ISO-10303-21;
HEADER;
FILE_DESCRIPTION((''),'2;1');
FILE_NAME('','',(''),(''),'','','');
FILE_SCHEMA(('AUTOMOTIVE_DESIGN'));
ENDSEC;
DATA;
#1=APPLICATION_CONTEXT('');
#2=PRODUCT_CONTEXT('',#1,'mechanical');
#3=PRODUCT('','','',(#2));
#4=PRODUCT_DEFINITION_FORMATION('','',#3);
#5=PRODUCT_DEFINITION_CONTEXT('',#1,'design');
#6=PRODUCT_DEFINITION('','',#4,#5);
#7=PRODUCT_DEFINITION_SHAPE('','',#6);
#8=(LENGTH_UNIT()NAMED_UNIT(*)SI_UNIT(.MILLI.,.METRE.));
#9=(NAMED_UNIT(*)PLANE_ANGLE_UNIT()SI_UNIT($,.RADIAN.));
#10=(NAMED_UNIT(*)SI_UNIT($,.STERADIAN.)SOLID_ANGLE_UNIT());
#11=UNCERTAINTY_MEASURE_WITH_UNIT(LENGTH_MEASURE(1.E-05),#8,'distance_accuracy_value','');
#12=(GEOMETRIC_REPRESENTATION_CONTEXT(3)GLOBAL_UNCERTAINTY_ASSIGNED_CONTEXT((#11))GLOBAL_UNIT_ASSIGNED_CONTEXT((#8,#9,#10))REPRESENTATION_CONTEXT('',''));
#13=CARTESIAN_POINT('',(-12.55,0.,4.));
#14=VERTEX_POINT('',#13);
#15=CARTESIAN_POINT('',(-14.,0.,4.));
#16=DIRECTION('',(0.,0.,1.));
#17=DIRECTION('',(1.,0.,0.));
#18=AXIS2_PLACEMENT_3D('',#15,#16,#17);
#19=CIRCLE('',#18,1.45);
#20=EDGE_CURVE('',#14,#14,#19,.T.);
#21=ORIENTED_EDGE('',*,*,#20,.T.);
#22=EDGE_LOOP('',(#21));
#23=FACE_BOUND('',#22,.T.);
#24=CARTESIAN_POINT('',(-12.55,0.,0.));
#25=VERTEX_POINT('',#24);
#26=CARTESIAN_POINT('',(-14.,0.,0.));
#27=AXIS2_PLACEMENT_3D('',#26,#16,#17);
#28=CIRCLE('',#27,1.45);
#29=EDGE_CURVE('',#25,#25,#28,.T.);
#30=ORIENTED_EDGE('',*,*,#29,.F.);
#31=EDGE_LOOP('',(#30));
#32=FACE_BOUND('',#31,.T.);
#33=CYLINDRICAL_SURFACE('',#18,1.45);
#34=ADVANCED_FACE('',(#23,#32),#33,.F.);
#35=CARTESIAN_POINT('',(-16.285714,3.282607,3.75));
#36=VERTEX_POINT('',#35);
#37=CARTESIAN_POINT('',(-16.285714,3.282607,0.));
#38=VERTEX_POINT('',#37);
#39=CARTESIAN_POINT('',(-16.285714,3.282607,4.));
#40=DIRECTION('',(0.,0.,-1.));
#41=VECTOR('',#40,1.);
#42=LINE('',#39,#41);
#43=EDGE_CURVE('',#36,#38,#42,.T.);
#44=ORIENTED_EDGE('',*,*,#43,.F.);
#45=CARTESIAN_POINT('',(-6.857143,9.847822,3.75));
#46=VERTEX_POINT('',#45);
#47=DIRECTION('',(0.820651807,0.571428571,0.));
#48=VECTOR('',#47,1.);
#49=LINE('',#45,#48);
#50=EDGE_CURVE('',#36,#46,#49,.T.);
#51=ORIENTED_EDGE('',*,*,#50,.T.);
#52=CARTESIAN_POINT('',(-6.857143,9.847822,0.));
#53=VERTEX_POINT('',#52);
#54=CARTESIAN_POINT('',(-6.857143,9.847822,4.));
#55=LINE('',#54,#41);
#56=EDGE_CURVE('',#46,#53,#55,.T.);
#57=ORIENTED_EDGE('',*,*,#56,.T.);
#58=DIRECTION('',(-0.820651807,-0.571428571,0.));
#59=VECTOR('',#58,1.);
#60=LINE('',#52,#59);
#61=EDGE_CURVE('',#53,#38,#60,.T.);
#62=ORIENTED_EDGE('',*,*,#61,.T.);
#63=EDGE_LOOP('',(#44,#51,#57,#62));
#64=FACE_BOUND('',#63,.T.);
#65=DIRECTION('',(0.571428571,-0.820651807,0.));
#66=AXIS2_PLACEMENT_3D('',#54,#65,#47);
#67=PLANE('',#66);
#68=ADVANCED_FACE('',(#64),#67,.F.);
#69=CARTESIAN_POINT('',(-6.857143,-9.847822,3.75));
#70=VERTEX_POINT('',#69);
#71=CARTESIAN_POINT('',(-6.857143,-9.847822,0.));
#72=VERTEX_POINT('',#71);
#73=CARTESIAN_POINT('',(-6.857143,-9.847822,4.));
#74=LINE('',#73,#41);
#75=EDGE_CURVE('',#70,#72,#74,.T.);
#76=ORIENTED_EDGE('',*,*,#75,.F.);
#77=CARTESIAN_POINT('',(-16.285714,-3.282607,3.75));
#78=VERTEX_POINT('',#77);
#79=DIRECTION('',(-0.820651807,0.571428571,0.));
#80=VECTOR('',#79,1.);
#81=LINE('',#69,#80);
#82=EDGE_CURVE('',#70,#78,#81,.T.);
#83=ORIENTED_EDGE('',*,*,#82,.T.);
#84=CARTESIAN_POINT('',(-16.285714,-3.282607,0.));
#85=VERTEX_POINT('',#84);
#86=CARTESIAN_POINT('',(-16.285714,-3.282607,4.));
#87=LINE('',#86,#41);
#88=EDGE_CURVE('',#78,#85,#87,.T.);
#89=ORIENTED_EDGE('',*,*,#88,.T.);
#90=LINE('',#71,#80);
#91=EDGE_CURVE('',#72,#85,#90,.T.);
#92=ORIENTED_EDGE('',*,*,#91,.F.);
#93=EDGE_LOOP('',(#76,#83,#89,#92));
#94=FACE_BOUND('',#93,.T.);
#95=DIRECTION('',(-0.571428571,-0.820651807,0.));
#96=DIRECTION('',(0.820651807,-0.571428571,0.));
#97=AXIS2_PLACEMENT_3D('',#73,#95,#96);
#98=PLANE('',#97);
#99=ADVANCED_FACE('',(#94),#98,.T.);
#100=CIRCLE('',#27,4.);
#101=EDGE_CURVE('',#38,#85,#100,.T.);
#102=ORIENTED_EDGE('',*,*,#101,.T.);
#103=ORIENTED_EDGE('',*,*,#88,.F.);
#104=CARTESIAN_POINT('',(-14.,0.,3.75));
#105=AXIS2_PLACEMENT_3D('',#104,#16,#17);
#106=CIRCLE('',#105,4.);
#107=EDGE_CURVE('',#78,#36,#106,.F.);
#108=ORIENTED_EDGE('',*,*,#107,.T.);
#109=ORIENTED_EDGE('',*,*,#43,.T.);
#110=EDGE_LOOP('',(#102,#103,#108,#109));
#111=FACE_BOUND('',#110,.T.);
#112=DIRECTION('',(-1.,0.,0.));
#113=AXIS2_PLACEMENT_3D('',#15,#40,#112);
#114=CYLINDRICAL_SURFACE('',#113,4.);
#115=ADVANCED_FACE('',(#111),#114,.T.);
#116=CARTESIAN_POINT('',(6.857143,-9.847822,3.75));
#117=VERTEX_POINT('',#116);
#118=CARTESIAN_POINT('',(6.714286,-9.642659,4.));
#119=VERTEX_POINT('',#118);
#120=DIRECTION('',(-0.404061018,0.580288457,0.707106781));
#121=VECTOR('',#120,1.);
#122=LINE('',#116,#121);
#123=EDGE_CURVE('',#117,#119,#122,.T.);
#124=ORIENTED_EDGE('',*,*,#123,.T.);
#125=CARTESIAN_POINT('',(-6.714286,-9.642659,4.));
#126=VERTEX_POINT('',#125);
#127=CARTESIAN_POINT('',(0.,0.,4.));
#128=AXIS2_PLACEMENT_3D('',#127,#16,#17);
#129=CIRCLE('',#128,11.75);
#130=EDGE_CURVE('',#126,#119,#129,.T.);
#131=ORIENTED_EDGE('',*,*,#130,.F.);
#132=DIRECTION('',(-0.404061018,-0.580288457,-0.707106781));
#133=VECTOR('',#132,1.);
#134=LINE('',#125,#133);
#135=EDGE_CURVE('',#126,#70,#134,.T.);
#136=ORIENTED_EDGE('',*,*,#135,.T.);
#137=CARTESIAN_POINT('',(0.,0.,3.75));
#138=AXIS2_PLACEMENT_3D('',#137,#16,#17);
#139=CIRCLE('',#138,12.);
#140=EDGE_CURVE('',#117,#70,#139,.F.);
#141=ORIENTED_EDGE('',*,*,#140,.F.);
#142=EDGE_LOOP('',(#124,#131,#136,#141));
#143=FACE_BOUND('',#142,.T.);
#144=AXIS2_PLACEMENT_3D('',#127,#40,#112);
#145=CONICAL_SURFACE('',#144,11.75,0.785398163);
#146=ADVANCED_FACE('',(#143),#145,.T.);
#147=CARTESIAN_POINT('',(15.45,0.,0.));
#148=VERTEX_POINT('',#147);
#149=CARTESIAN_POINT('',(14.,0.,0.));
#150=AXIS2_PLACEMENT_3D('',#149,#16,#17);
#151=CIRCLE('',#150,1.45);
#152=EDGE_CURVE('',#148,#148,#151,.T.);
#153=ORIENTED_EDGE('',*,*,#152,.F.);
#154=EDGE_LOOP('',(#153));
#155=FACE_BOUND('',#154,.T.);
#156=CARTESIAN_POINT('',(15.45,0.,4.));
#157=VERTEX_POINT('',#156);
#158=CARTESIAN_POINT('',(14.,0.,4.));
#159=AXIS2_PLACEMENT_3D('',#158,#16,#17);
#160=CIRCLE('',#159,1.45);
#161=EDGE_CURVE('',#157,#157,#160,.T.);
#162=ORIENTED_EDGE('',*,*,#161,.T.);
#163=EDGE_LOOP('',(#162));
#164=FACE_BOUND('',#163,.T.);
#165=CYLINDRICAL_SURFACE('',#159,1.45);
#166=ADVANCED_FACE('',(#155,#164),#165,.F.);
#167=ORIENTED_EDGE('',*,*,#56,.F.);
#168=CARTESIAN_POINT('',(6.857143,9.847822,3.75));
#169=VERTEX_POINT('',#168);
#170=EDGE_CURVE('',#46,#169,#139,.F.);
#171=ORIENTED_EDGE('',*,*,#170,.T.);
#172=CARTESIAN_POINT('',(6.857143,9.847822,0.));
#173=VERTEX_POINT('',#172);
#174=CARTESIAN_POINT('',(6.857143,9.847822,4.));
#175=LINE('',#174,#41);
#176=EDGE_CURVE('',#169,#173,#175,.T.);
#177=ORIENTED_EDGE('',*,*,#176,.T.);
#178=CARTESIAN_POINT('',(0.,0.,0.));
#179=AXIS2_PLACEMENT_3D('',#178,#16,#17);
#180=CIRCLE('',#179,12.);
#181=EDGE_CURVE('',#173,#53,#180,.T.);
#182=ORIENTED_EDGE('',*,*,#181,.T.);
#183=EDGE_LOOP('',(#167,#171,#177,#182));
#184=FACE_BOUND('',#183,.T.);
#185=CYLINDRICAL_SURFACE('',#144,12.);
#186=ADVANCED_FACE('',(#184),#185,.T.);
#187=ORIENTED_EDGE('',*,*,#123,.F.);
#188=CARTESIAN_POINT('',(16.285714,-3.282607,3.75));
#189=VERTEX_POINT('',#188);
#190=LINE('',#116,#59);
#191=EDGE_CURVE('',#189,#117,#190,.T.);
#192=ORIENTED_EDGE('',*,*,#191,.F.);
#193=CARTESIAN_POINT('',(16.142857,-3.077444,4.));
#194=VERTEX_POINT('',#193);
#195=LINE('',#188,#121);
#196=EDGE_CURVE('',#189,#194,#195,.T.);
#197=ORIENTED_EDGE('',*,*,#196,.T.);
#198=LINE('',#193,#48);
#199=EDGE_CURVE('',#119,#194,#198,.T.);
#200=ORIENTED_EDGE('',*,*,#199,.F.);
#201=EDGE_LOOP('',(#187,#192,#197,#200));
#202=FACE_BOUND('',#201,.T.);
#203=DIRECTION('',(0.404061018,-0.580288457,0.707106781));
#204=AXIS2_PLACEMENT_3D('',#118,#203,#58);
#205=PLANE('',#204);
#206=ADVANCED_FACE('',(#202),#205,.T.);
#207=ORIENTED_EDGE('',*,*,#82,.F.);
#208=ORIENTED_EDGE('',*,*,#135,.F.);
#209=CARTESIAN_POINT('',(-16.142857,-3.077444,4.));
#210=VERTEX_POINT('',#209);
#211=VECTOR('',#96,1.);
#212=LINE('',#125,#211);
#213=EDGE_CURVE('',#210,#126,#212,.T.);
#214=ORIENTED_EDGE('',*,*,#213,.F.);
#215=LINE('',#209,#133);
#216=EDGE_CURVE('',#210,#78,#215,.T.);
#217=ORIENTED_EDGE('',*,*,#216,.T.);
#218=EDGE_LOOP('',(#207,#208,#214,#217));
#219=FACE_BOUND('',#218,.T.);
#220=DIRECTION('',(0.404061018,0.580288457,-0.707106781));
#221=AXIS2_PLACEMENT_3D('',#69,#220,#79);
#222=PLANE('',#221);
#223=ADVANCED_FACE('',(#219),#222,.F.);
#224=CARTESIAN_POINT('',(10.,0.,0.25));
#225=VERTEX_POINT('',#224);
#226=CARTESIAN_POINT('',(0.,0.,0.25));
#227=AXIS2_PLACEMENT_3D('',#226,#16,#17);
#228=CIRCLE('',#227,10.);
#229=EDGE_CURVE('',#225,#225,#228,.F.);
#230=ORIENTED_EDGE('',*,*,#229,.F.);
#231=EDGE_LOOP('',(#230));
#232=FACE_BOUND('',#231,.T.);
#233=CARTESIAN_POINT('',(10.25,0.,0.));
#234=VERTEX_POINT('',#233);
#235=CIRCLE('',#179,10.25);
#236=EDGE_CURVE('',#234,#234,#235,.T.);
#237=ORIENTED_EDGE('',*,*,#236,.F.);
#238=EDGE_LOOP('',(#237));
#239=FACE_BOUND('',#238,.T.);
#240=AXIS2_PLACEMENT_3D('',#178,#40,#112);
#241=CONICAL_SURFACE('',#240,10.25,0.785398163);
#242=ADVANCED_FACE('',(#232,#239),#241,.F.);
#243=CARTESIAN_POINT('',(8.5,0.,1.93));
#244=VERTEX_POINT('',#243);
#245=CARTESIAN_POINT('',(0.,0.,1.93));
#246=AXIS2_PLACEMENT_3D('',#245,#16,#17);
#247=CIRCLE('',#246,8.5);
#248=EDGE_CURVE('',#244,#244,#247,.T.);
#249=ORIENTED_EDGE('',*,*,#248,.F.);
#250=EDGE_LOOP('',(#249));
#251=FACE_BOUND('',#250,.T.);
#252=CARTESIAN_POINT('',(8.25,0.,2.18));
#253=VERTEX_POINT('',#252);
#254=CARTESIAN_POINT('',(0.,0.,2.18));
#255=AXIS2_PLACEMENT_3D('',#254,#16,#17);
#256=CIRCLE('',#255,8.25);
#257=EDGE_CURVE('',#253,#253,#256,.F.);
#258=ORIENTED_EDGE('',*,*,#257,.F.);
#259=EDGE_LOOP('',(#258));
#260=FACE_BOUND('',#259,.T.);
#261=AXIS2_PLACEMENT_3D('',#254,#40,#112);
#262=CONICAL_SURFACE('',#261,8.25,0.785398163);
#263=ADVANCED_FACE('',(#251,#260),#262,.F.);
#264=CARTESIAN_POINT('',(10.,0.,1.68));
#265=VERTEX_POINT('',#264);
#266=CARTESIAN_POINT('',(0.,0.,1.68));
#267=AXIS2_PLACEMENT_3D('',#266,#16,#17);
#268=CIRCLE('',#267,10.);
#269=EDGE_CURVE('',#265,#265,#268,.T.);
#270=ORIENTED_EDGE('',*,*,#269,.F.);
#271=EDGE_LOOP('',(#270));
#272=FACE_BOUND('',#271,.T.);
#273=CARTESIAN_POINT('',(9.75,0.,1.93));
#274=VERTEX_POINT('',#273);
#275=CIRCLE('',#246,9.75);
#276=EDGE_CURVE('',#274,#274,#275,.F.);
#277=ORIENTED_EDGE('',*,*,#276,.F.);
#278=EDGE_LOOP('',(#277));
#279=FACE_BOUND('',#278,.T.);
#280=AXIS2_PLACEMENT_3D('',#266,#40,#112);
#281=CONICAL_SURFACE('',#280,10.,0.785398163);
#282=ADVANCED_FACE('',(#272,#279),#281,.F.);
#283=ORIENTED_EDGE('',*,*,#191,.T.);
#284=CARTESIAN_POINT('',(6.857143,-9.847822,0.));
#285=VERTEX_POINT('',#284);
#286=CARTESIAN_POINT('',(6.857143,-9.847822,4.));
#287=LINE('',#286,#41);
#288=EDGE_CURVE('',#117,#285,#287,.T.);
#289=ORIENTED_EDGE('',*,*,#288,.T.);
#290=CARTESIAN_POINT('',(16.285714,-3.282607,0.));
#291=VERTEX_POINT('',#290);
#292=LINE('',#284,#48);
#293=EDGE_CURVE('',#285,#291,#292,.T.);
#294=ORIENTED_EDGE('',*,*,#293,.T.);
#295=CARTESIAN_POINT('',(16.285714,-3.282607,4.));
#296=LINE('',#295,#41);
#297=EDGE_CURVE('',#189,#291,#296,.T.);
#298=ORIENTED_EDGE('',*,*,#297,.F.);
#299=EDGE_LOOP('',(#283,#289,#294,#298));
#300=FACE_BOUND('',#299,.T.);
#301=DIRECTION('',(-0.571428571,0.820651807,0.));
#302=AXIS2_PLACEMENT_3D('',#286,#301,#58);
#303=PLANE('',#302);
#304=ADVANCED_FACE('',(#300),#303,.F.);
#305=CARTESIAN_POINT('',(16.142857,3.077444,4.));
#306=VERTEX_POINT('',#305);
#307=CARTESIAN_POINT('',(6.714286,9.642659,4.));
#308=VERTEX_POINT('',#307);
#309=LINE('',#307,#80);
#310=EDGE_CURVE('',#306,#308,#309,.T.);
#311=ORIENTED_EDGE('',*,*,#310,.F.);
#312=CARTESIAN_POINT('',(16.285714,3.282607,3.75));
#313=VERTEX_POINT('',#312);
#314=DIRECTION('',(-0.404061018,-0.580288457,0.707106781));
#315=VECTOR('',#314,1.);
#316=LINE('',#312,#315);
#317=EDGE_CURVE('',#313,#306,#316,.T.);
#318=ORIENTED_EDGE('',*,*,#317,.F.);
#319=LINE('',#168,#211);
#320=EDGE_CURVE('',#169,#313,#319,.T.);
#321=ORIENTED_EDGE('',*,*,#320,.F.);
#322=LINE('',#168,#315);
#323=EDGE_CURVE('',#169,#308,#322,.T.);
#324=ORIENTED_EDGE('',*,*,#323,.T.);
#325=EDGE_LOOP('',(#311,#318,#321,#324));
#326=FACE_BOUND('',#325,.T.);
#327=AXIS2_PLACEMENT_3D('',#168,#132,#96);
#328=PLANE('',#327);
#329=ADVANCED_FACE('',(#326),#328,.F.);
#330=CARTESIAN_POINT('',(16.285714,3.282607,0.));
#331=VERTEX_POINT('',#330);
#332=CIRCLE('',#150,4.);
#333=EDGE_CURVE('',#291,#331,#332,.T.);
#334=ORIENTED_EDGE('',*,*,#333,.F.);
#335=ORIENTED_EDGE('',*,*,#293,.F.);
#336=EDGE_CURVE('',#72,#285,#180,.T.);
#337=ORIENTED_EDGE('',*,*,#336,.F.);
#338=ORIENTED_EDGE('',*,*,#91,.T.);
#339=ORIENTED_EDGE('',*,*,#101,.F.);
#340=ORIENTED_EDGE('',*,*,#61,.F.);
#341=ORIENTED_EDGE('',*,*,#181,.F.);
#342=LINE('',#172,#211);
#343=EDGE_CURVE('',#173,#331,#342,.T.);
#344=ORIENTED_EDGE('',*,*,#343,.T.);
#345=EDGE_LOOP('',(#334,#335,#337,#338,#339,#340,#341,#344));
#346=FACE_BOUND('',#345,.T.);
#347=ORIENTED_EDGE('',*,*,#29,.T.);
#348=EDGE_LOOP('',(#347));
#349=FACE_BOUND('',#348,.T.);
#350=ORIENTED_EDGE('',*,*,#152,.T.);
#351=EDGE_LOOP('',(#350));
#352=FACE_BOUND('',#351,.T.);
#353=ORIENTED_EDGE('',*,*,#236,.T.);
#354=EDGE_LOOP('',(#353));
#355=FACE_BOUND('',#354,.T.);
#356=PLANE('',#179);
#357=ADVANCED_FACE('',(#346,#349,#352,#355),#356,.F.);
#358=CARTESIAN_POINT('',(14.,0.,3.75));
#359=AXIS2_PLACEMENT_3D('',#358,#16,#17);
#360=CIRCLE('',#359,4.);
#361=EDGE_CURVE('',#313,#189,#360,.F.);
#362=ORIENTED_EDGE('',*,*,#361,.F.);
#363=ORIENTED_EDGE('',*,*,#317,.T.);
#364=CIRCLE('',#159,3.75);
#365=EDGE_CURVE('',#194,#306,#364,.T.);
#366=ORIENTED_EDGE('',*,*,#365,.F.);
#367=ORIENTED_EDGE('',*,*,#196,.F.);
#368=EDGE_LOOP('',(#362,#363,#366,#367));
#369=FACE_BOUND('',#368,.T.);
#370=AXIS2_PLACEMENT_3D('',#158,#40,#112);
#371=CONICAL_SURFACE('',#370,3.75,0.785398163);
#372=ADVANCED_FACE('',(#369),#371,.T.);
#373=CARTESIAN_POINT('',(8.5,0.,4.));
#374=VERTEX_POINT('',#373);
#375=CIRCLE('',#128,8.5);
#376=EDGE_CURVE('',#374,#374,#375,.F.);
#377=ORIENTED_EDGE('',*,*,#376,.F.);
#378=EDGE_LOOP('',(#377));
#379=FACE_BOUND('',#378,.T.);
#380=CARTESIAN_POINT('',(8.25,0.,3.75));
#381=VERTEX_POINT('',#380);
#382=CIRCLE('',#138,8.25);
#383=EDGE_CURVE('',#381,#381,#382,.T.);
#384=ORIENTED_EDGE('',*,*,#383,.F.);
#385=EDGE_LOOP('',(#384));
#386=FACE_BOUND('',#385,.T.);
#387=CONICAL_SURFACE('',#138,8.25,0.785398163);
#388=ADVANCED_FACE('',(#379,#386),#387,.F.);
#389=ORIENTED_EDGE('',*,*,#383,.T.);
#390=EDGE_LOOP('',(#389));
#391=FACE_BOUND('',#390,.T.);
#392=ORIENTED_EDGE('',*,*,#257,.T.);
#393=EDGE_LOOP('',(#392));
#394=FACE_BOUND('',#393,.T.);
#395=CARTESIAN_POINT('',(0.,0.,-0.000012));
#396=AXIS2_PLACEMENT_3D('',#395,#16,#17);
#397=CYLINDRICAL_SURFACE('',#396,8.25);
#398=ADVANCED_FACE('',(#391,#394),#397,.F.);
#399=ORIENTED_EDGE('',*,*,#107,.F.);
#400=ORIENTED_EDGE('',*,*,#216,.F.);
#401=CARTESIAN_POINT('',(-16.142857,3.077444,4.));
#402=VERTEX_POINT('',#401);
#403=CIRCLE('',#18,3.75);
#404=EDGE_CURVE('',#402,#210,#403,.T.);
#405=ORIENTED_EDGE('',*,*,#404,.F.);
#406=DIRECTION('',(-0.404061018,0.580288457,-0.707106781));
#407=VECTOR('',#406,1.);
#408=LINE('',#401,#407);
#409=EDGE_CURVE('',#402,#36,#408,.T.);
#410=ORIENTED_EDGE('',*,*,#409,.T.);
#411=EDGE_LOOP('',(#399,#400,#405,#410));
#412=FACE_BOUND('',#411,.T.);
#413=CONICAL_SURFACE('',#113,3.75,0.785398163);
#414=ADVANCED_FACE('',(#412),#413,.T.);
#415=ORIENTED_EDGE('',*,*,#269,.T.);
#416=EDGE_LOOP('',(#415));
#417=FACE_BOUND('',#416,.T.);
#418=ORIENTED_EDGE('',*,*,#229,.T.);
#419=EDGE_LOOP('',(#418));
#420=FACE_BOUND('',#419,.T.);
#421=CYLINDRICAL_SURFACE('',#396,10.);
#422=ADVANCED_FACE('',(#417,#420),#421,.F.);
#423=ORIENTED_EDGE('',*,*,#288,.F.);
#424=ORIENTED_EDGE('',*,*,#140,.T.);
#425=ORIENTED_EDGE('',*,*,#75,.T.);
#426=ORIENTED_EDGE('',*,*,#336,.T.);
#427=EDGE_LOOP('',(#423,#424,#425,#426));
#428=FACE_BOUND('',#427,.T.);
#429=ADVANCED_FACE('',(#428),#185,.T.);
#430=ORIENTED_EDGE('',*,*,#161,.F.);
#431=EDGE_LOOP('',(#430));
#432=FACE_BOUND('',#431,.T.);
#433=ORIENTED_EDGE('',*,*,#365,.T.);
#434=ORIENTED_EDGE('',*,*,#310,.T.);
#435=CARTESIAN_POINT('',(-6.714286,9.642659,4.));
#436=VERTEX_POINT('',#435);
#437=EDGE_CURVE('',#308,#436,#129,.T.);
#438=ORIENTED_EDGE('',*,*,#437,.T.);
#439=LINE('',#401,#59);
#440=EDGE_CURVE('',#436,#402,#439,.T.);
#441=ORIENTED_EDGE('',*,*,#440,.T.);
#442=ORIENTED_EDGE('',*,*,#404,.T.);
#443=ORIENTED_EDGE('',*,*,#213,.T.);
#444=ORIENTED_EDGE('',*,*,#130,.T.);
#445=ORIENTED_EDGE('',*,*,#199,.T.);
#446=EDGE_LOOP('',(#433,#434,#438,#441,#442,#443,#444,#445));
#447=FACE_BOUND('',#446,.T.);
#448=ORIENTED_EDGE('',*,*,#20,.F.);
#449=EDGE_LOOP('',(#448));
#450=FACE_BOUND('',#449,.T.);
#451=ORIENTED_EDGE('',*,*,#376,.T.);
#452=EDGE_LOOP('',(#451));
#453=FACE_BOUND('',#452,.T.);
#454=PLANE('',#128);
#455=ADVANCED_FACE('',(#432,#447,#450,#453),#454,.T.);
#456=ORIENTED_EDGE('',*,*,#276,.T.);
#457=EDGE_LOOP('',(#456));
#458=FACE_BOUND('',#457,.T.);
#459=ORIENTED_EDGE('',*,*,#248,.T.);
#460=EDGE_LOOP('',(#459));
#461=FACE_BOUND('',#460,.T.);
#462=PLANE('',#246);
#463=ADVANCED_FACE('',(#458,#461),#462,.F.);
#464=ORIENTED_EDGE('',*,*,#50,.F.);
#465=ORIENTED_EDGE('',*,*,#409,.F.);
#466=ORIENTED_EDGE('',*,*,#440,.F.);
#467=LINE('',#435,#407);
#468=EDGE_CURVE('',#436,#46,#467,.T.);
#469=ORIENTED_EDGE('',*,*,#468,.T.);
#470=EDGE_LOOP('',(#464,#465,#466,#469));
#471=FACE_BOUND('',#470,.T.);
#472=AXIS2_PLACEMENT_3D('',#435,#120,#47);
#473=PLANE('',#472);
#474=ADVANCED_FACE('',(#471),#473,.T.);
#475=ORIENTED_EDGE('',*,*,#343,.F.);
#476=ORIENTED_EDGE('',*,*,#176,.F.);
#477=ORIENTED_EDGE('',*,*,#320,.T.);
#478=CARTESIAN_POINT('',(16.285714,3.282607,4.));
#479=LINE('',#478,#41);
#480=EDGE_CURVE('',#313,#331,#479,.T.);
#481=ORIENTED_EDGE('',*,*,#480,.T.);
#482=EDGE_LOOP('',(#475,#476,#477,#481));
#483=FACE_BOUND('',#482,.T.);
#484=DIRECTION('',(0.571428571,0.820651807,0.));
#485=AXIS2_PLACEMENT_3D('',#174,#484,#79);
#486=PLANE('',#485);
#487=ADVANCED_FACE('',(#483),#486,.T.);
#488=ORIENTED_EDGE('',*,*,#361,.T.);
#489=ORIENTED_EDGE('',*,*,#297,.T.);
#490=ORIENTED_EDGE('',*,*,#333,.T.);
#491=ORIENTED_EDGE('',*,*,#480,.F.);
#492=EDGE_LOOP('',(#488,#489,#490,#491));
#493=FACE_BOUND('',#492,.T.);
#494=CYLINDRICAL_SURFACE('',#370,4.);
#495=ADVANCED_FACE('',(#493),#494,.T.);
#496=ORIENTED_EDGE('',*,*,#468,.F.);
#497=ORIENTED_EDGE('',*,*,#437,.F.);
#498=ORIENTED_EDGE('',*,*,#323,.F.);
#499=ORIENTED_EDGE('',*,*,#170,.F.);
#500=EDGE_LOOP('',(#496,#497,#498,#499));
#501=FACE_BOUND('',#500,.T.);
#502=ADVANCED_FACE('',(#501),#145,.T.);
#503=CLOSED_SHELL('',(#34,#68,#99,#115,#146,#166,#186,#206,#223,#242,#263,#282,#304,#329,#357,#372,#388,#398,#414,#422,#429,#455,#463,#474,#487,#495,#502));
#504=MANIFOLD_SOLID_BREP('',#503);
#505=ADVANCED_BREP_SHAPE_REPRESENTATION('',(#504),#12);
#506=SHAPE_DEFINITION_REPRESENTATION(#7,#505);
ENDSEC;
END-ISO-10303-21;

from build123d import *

# Parameters (mm, degrees)
BOSS_EXTRUDE1_DEPTH     = 4
CUT_EXTRUDE1_DEPTH      = 23
CUT_EXTRUDE1_DEPTH_BACK = 23
SKETCH1_4_R             = 8.25
CUT_EXTRUDE2_DEPTH      = 1.93
CUT_EXTRUDE2_DEPTH_BACK = 23
SKETCH1_6_R             = 10
M2_5_CLEARANCE_HOLE1_D  = 2.9
CHAMFER1_SIZE           = 0.25


with BuildPart() as part:
    # Sketch1 → Boss-Extrude1 (new body)
    with BuildSketch(Plane.XY):
        with BuildLine():
            ThreePointArc((6.857142857, 9.84782168), (0, 12), (-6.857142857, 9.84782168))
            Line((-6.857142857, 9.84782168), (-16.285714286, 3.282607227))
            ThreePointArc((-16.285714286, 3.282607227), (-18, 0), (-16.285714286, -3.282607227))
            Line((-16.285714286, -3.282607227), (-6.857142857, -9.84782168))
            ThreePointArc((-6.857142857, -9.84782168), (0, -12), (6.857142857, -9.84782168))
            Line((6.857142857, -9.84782168), (16.285714286, -3.282607227))
            ThreePointArc((16.285714286, -3.282607227), (18, 0), (16.285714286, 3.282607227))
            Line((16.285714286, 3.282607227), (6.857142857, 9.84782168))
        make_face()
    extrude(amount=BOSS_EXTRUDE1_DEPTH)

    # Sketch1<4> → Cut-Extrude1 (cut, two sides: drawn at the far end of the back side and taken through both)
    with BuildSketch(Plane.XY.offset(-CUT_EXTRUDE1_DEPTH_BACK)):
        Circle(SKETCH1_4_R)
    extrude(amount=CUT_EXTRUDE1_DEPTH + CUT_EXTRUDE1_DEPTH_BACK, mode=Mode.SUBTRACT)

    # Sketch1<6> → Cut-Extrude2 (cut, two sides: drawn at the far end of the back side and taken through both)
    with BuildSketch(Plane.XY.offset(-CUT_EXTRUDE2_DEPTH_BACK)):
        Circle(SKETCH1_6_R)
    extrude(amount=CUT_EXTRUDE2_DEPTH + CUT_EXTRUDE2_DEPTH_BACK, mode=Mode.SUBTRACT)

    # M2.5 Clearance Hole1 (through all)
    with Locations(Plane.XY.offset(4)):
        with Locations((-14, 0), (14, 0)):
            Hole(M2_5_CLEARANCE_HOLE1_D / 2)

    # Chamfer1
    chamfer1_edges = [part.edges().sort_by_distance(p)[0] for p in [
        (-8.25, 0, 4),
        (-8.25, 0, 1.93),
        (-10, 0, 0),
        (-10, 0, 1.93),
        (0, -12, 4),
        (11.571428571, -6.565214453, 4),
        (-11.571428571, -6.565214453, 4),
        (18, 0, 4),
        (-18, 0, 4),
        (11.571428571, 6.565214453, 4),
        (-11.571428571, 6.565214453, 4),
        (0, 12, 4),
    ]]
    chamfer(chamfer1_edges, length=CHAMFER1_SIZE)


solid = part.part
